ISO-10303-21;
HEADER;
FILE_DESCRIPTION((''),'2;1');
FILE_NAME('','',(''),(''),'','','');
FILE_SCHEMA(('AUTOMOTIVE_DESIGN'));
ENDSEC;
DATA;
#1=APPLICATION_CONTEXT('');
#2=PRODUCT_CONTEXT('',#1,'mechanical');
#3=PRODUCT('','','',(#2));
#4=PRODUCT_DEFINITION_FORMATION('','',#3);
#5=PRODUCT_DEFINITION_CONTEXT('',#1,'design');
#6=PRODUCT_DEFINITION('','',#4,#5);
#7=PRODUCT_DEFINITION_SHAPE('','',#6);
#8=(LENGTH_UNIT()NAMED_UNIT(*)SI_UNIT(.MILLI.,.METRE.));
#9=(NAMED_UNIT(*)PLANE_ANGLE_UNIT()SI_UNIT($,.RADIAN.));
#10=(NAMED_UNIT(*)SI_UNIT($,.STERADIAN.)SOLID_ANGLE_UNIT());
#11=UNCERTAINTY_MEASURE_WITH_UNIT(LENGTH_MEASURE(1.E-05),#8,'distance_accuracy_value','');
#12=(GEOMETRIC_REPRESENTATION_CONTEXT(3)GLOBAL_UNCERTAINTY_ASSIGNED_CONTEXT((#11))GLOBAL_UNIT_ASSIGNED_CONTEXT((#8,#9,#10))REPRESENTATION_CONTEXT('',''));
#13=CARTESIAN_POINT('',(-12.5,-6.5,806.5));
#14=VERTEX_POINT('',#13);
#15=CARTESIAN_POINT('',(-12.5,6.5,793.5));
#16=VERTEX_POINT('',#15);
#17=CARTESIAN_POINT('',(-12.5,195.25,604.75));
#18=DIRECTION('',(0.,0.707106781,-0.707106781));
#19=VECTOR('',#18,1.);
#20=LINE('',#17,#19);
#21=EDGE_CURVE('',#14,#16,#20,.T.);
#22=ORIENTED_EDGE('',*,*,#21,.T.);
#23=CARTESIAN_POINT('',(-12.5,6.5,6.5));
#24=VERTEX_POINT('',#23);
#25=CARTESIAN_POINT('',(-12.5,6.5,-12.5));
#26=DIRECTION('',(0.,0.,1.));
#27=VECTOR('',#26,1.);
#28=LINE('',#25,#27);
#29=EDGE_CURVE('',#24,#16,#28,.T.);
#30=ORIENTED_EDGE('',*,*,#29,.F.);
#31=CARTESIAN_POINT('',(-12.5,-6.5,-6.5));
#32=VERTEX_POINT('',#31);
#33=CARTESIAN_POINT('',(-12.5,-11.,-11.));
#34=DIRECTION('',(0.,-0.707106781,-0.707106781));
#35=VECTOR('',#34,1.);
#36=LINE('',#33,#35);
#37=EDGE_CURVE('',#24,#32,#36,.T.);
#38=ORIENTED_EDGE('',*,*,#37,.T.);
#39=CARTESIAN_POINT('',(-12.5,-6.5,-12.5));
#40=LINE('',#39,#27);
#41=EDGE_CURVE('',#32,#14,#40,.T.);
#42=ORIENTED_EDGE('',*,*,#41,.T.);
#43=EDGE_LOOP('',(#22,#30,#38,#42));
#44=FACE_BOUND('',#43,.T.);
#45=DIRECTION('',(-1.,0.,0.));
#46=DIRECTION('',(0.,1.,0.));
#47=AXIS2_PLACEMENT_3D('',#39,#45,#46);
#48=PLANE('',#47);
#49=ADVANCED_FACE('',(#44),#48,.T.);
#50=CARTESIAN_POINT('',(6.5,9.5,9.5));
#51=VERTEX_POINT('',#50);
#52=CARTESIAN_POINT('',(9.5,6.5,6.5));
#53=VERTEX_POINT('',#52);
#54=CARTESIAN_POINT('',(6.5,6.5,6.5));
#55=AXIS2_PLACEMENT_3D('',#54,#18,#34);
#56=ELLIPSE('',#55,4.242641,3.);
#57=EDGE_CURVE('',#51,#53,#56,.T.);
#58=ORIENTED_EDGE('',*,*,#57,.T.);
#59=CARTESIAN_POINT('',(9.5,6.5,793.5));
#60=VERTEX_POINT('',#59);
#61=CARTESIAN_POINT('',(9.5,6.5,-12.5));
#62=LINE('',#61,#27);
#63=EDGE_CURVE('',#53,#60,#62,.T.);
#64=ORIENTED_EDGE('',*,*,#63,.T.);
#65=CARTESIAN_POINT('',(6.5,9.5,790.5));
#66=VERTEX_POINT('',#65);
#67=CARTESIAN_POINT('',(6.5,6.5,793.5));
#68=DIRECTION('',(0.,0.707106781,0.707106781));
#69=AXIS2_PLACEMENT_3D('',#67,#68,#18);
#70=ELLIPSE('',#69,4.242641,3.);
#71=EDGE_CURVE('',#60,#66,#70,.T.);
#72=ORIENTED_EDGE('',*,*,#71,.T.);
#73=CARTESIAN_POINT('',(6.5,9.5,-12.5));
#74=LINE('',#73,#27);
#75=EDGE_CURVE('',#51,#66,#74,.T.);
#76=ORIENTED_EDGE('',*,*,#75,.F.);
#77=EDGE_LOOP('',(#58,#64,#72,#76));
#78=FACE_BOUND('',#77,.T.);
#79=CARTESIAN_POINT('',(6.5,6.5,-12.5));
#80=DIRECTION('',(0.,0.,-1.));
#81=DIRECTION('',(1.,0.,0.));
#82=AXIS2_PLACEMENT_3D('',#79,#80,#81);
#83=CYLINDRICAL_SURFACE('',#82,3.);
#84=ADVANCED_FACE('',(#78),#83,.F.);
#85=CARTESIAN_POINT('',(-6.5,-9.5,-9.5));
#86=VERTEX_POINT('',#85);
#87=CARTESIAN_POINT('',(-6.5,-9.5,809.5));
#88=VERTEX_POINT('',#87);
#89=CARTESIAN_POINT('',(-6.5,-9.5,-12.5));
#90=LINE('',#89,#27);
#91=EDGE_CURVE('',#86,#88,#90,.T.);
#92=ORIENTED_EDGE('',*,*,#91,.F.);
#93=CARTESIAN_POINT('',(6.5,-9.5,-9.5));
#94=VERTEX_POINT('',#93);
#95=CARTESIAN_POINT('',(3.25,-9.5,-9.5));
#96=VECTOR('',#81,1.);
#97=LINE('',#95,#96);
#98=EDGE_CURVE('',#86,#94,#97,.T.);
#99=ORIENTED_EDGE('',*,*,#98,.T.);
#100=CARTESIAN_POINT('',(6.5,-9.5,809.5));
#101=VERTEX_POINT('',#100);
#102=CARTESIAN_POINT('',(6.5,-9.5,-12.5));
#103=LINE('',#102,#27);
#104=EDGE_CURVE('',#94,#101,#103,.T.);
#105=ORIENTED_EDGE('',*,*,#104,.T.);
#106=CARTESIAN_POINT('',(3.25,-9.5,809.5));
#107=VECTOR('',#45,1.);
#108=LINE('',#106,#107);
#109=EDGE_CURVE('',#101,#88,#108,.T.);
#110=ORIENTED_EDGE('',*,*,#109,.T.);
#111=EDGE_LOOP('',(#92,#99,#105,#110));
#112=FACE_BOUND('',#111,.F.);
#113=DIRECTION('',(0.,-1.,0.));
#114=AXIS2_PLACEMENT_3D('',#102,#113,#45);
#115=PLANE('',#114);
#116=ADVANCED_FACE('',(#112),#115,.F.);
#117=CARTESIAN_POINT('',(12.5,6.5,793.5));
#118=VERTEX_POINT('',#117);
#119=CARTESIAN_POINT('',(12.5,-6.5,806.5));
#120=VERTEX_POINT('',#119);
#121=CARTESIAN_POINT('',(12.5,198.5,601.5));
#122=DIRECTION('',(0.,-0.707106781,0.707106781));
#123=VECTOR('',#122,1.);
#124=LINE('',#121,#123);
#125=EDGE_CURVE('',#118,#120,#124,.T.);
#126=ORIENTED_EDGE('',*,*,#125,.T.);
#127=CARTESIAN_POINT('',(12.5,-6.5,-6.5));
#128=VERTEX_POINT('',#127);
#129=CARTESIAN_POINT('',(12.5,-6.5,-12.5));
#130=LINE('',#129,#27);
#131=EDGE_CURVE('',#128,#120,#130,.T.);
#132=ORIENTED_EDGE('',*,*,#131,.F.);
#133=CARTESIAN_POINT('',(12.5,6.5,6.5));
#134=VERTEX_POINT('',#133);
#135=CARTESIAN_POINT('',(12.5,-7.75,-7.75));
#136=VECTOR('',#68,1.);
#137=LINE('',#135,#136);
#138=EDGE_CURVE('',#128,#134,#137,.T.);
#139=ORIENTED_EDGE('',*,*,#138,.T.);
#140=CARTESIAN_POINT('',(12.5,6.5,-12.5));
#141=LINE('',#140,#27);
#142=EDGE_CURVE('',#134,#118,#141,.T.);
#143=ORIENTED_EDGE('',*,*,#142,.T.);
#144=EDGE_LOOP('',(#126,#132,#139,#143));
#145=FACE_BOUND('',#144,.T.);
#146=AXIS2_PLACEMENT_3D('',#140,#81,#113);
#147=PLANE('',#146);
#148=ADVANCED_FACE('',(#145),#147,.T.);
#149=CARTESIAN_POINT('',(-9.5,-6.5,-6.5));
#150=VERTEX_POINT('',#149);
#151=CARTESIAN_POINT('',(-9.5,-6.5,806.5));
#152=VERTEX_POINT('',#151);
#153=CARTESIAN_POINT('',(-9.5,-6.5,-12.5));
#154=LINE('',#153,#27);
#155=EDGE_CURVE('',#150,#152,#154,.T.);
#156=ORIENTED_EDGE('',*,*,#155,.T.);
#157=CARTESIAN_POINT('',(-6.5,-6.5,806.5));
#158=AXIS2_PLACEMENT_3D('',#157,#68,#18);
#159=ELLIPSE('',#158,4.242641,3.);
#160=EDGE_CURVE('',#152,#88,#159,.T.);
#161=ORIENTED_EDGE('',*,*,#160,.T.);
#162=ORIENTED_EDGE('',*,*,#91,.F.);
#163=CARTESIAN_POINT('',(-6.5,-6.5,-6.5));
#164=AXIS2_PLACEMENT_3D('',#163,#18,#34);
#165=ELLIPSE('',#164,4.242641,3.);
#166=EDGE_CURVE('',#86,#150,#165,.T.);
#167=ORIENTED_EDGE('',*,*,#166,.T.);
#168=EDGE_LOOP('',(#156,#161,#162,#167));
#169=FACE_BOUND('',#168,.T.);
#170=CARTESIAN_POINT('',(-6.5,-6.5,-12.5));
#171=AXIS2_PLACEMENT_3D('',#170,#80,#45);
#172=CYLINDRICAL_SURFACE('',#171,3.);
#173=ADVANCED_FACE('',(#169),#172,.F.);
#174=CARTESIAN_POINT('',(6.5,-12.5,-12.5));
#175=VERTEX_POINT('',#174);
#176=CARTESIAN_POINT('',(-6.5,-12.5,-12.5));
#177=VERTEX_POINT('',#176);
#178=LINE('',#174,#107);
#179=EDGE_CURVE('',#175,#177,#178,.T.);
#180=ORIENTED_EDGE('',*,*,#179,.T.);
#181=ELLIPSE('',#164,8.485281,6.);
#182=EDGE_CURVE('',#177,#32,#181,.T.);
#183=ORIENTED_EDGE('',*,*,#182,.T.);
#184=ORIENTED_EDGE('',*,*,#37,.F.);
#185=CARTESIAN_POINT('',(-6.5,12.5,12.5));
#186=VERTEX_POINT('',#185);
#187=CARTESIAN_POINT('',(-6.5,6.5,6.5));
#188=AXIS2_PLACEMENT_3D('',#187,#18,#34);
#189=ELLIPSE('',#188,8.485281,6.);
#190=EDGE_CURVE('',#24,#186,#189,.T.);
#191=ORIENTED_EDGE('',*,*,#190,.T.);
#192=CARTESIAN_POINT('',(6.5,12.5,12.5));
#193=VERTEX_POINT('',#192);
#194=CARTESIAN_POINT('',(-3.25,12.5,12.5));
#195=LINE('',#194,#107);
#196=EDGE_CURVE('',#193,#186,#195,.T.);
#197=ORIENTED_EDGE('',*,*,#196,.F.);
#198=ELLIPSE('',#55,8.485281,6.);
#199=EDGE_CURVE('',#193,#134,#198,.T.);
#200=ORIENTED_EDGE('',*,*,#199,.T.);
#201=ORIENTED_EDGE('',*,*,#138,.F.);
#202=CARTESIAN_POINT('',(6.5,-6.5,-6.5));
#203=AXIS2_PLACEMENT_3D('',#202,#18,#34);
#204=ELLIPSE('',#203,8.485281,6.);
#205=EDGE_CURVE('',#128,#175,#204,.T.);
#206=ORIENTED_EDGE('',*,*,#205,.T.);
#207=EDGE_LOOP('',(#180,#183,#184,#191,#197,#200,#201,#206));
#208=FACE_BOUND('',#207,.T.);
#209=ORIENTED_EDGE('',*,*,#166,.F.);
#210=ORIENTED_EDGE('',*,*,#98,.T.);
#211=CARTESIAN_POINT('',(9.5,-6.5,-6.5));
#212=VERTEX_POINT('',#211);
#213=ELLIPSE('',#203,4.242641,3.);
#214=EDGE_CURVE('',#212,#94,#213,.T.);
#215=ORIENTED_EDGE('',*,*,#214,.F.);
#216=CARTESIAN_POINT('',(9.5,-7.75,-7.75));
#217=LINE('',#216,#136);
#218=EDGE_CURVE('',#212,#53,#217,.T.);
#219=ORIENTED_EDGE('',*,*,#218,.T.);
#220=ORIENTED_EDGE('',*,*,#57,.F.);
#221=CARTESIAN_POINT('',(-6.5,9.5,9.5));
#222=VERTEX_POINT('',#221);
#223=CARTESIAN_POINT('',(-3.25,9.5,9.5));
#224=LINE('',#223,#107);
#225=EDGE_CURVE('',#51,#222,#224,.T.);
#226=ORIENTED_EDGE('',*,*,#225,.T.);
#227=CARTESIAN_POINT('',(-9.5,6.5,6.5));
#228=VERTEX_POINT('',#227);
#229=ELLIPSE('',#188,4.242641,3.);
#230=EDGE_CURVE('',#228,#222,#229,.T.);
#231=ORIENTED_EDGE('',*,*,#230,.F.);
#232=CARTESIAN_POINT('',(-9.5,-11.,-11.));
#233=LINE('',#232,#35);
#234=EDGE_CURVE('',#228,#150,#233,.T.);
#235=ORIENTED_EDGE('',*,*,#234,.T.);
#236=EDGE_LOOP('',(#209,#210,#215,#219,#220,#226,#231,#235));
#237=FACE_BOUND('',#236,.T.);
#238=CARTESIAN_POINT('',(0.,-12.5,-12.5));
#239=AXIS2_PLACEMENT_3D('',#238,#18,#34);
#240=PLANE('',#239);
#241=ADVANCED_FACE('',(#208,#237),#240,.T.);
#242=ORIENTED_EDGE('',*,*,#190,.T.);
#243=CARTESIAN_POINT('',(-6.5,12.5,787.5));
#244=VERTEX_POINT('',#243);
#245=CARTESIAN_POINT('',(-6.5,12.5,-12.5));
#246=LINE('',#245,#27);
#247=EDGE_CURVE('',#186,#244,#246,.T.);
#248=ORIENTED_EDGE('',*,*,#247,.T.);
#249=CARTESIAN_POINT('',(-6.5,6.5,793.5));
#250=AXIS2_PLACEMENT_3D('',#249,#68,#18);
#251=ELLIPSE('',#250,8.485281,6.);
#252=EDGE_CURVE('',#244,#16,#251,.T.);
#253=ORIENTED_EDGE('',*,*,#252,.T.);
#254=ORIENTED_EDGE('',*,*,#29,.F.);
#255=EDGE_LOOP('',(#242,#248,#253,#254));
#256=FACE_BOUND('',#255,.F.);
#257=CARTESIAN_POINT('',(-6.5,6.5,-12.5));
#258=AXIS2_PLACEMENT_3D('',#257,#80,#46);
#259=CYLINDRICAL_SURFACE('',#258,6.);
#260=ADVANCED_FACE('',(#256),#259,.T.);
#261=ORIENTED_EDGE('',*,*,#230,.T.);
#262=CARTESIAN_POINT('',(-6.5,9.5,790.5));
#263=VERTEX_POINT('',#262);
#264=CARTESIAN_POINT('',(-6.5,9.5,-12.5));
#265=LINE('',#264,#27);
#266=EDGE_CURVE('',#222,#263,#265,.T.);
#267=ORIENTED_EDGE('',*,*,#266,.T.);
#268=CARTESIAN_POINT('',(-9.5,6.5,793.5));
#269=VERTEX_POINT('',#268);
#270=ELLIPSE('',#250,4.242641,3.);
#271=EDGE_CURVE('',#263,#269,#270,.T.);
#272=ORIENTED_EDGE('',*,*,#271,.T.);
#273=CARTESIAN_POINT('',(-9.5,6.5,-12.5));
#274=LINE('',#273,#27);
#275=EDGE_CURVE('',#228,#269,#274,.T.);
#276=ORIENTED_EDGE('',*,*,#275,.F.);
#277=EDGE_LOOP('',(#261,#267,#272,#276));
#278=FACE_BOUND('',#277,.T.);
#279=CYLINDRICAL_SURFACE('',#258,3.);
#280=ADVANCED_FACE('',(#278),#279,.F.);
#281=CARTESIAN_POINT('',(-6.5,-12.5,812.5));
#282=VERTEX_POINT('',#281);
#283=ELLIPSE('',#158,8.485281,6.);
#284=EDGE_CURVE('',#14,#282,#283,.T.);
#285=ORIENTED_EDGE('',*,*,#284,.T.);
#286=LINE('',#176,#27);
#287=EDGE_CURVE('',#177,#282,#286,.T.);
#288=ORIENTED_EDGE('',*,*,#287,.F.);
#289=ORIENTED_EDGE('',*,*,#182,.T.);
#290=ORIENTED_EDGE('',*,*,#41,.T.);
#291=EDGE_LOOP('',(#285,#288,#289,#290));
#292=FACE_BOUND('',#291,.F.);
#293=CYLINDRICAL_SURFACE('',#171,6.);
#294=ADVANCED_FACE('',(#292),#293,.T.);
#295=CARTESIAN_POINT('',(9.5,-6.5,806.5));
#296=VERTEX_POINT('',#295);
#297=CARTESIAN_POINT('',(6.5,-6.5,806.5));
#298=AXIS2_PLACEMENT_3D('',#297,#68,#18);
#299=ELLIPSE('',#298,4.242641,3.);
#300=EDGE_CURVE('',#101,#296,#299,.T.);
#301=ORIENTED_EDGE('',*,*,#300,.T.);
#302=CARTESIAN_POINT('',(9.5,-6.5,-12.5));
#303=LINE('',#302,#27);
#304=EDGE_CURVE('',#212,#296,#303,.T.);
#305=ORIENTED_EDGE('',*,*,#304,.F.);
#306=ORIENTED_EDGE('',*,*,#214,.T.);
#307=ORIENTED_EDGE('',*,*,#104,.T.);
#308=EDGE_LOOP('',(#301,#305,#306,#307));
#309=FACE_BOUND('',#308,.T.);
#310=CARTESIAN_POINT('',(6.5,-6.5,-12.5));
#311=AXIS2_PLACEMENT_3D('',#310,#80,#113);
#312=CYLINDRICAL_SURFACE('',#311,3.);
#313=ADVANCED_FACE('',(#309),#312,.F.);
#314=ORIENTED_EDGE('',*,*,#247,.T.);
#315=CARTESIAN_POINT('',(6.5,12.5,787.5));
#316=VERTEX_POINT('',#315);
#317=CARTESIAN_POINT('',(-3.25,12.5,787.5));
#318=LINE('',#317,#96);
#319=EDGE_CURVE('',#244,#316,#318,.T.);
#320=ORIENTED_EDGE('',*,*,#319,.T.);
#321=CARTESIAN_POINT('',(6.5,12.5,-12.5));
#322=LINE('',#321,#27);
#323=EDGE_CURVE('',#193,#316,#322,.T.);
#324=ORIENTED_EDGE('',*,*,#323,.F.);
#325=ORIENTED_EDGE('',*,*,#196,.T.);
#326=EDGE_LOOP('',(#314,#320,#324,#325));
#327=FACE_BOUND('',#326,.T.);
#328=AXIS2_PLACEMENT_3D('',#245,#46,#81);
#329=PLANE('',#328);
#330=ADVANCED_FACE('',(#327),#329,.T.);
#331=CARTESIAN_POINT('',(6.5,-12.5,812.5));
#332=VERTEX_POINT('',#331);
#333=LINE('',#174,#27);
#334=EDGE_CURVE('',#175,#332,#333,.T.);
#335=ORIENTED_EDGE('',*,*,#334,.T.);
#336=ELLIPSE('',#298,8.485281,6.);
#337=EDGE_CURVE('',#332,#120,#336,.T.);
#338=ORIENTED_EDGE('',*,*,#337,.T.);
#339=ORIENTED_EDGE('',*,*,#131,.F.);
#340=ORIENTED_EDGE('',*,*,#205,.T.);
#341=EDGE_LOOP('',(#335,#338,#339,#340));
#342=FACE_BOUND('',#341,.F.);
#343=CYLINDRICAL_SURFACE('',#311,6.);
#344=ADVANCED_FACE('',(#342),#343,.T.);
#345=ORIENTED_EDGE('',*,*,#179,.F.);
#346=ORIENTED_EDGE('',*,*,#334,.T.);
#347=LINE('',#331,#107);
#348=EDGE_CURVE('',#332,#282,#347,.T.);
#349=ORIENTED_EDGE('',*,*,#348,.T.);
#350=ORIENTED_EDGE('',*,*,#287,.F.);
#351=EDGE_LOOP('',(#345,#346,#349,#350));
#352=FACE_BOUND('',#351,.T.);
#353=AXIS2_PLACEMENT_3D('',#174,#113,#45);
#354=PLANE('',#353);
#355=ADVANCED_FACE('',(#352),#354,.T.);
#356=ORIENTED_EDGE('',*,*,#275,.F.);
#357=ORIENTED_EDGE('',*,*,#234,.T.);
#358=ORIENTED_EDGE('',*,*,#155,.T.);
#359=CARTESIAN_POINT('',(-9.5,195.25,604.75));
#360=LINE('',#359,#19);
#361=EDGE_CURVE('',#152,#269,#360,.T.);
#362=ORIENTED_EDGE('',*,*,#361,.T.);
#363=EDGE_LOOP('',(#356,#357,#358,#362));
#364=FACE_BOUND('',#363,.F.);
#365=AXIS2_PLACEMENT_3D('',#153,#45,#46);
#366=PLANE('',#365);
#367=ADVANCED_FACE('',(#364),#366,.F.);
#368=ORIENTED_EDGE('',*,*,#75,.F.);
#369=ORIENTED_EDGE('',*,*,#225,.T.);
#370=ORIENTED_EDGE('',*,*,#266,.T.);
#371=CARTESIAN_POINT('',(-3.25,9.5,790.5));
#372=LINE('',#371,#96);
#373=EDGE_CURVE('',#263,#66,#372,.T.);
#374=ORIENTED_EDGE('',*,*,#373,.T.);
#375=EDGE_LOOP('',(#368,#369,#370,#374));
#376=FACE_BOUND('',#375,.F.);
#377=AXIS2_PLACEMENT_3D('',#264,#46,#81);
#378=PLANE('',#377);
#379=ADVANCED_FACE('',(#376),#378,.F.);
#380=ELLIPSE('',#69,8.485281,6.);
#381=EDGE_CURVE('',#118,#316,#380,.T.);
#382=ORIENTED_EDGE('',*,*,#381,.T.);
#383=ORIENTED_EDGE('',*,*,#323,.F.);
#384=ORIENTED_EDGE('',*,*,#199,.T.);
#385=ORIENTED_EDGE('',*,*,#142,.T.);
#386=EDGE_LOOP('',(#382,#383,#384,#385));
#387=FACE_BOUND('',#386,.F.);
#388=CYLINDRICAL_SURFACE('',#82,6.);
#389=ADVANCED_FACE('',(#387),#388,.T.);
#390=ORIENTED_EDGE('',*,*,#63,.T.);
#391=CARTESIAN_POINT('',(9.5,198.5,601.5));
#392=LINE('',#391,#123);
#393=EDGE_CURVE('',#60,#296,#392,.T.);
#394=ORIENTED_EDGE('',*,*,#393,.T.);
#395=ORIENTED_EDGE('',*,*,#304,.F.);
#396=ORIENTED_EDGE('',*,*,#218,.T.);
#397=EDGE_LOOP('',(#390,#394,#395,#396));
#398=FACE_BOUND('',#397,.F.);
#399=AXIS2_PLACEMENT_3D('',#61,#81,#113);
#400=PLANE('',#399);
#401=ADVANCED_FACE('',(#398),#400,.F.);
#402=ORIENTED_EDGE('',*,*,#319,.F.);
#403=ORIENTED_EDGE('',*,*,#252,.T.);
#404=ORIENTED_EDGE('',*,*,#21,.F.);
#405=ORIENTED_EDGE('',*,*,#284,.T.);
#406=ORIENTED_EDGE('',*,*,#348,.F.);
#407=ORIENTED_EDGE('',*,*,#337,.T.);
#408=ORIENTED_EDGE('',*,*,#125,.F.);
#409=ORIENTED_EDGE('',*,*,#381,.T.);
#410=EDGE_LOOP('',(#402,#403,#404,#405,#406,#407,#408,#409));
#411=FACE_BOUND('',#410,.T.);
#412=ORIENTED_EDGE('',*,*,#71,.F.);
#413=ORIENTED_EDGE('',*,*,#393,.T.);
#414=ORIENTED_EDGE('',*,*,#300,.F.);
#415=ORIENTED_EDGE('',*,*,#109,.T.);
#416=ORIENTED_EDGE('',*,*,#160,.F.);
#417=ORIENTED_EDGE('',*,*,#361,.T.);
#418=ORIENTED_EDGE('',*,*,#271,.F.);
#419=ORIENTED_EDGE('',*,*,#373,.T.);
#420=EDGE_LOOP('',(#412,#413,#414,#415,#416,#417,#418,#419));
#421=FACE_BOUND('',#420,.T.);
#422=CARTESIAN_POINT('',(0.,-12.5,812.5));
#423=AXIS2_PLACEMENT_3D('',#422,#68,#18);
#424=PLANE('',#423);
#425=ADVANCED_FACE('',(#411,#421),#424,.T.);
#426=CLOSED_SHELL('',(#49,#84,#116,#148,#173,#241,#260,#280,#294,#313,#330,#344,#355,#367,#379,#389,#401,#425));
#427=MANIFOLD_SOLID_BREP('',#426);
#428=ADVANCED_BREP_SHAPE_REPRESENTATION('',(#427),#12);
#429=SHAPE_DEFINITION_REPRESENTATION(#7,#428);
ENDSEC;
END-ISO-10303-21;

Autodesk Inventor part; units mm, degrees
ref_plane "Start plane" through (0, 0, -12.5) normal (0, 0, 1) x (1, 0, 0)
ref_plane "End plane" through (0, 0, 812.5) normal (0, 0, 1) x (1, 0, 0)
sketch "Sketch" plane through (0, 0, 0) normal (0, 0, 1) x (1, 0, 0)
  line L0 (-12.5, -6.5) -> (-12.5, 6.5)
  line L1 (-6.5, 12.5) -> (6.5, 12.5)
  line L2 (12.5, 6.5) -> (12.5, -6.5)
  line L3 (6.5, -12.5) -> (-6.5, -12.5)
  arc A0 (-12.5, -6.5) -> (-6.5, -12.5) centre (-6.5, -6.5) ccw
  arc A1 (-6.5, 12.5) -> (-12.5, 6.5) centre (-6.5, 6.5) ccw
  arc A2 (12.5, 6.5) -> (6.5, 12.5) centre (6.5, 6.5) ccw
  arc A3 (6.5, -12.5) -> (12.5, -6.5) centre (6.5, -6.5) ccw
  arc A4 (-6.5, 9.5) -> (-9.5, 6.5) centre (-6.5, 6.5) ccw
  line L4 (-6.5, 9.5) -> (6.5, 9.5)
  arc A5 (9.5, 6.5) -> (6.5, 9.5) centre (6.5, 6.5) ccw
  line L5 (9.5, 6.5) -> (9.5, -6.5)
  arc A6 (6.5, -9.5) -> (9.5, -6.5) centre (6.5, -6.5) ccw
  line L6 (6.5, -9.5) -> (-6.5, -9.5)
  arc A7 (-9.5, -6.5) -> (-6.5, -9.5) centre (-6.5, -6.5) ccw
  line L7 (-9.5, -6.5) -> (-9.5, 6.5)
  line L8 (0, 19.2397) -> (0, -19.2397) construction
  line L9 (-19.2397, 0) -> (19.2397, 0) construction
  dimension "d7" = 6
  dimension "d10" = 25
  dimension "d11" = 25
  dimension "d12" = 3
  dimension "d15" = 12.5
  dimension "d16" = 12.5
extrude "Body" add sketch "Sketch" along normal up to surface (825 mm away) from surface at -12.5
sketch "Sketch3" plane through (0, 0, 0) normal (0, 0, 1) x (1, 0, 0)
  line L0 (0, 0) -> (10, 0)
ref_plane "Work Plane3" through (0, 0, 0) normal (0, -1, 0) x (1, 0, 0)
sketch "Sketch4" plane through (0, 0, 0) normal (0, -1, 0) x (1, 0, 0)
  line L0 (-2, -12.5) -> (12, -12.5)
  line L1 (-2, 812.5) -> (12, 812.5)
  dimension "d18" = 825
ref_plane "Work Plane4" through (0, -12.5, 812.5) normal (0, 0.7071, 0.7071) x (1, 0, 0)
split "Split1" plane through (0, -12.5, 812.5) removes the side toward (0, 0.7071, 0.7071)
ref_plane "Work Plane5" through (0, -12.5, -12.5) normal (0, 0.7071, -0.7071) x (1, 0, 0)
split "Split2" plane through (0, -12.5, -12.5) removes the side toward (0, 0.7071, -0.7071)
equation "\"d7\" = G_IR"
equation "\"d10\" = G_H"
equation "\"d11\" = G_W"
equation "\"d12\" = G_T"
equation "\"d15\" = 0.5 * d10"
equation "\"d16\" = 0.5 * d11"
equation "\"d3\" = G_L"
equation "\"G_W\" = 25"
equation "\"G_H\" = 25"
equation "\"G_T\" = 3"
equation "\"G_IR\" = 6"
equation "\"G_L\" = d18"
equation "\"G_OFFSET_START\" = 12.5"
equation "\"G_OFFSET_END\" = 12.5"
equation "\"d13\" = -G_OFFSET_START"
equation "\"d14\" = G_OFFSET_END + B_L"
equation "\"B_L\" = 800"
properties part number "AS 1163 - C350L0 25x25x3.0 SHS - 825" material "Steel, Mild"
